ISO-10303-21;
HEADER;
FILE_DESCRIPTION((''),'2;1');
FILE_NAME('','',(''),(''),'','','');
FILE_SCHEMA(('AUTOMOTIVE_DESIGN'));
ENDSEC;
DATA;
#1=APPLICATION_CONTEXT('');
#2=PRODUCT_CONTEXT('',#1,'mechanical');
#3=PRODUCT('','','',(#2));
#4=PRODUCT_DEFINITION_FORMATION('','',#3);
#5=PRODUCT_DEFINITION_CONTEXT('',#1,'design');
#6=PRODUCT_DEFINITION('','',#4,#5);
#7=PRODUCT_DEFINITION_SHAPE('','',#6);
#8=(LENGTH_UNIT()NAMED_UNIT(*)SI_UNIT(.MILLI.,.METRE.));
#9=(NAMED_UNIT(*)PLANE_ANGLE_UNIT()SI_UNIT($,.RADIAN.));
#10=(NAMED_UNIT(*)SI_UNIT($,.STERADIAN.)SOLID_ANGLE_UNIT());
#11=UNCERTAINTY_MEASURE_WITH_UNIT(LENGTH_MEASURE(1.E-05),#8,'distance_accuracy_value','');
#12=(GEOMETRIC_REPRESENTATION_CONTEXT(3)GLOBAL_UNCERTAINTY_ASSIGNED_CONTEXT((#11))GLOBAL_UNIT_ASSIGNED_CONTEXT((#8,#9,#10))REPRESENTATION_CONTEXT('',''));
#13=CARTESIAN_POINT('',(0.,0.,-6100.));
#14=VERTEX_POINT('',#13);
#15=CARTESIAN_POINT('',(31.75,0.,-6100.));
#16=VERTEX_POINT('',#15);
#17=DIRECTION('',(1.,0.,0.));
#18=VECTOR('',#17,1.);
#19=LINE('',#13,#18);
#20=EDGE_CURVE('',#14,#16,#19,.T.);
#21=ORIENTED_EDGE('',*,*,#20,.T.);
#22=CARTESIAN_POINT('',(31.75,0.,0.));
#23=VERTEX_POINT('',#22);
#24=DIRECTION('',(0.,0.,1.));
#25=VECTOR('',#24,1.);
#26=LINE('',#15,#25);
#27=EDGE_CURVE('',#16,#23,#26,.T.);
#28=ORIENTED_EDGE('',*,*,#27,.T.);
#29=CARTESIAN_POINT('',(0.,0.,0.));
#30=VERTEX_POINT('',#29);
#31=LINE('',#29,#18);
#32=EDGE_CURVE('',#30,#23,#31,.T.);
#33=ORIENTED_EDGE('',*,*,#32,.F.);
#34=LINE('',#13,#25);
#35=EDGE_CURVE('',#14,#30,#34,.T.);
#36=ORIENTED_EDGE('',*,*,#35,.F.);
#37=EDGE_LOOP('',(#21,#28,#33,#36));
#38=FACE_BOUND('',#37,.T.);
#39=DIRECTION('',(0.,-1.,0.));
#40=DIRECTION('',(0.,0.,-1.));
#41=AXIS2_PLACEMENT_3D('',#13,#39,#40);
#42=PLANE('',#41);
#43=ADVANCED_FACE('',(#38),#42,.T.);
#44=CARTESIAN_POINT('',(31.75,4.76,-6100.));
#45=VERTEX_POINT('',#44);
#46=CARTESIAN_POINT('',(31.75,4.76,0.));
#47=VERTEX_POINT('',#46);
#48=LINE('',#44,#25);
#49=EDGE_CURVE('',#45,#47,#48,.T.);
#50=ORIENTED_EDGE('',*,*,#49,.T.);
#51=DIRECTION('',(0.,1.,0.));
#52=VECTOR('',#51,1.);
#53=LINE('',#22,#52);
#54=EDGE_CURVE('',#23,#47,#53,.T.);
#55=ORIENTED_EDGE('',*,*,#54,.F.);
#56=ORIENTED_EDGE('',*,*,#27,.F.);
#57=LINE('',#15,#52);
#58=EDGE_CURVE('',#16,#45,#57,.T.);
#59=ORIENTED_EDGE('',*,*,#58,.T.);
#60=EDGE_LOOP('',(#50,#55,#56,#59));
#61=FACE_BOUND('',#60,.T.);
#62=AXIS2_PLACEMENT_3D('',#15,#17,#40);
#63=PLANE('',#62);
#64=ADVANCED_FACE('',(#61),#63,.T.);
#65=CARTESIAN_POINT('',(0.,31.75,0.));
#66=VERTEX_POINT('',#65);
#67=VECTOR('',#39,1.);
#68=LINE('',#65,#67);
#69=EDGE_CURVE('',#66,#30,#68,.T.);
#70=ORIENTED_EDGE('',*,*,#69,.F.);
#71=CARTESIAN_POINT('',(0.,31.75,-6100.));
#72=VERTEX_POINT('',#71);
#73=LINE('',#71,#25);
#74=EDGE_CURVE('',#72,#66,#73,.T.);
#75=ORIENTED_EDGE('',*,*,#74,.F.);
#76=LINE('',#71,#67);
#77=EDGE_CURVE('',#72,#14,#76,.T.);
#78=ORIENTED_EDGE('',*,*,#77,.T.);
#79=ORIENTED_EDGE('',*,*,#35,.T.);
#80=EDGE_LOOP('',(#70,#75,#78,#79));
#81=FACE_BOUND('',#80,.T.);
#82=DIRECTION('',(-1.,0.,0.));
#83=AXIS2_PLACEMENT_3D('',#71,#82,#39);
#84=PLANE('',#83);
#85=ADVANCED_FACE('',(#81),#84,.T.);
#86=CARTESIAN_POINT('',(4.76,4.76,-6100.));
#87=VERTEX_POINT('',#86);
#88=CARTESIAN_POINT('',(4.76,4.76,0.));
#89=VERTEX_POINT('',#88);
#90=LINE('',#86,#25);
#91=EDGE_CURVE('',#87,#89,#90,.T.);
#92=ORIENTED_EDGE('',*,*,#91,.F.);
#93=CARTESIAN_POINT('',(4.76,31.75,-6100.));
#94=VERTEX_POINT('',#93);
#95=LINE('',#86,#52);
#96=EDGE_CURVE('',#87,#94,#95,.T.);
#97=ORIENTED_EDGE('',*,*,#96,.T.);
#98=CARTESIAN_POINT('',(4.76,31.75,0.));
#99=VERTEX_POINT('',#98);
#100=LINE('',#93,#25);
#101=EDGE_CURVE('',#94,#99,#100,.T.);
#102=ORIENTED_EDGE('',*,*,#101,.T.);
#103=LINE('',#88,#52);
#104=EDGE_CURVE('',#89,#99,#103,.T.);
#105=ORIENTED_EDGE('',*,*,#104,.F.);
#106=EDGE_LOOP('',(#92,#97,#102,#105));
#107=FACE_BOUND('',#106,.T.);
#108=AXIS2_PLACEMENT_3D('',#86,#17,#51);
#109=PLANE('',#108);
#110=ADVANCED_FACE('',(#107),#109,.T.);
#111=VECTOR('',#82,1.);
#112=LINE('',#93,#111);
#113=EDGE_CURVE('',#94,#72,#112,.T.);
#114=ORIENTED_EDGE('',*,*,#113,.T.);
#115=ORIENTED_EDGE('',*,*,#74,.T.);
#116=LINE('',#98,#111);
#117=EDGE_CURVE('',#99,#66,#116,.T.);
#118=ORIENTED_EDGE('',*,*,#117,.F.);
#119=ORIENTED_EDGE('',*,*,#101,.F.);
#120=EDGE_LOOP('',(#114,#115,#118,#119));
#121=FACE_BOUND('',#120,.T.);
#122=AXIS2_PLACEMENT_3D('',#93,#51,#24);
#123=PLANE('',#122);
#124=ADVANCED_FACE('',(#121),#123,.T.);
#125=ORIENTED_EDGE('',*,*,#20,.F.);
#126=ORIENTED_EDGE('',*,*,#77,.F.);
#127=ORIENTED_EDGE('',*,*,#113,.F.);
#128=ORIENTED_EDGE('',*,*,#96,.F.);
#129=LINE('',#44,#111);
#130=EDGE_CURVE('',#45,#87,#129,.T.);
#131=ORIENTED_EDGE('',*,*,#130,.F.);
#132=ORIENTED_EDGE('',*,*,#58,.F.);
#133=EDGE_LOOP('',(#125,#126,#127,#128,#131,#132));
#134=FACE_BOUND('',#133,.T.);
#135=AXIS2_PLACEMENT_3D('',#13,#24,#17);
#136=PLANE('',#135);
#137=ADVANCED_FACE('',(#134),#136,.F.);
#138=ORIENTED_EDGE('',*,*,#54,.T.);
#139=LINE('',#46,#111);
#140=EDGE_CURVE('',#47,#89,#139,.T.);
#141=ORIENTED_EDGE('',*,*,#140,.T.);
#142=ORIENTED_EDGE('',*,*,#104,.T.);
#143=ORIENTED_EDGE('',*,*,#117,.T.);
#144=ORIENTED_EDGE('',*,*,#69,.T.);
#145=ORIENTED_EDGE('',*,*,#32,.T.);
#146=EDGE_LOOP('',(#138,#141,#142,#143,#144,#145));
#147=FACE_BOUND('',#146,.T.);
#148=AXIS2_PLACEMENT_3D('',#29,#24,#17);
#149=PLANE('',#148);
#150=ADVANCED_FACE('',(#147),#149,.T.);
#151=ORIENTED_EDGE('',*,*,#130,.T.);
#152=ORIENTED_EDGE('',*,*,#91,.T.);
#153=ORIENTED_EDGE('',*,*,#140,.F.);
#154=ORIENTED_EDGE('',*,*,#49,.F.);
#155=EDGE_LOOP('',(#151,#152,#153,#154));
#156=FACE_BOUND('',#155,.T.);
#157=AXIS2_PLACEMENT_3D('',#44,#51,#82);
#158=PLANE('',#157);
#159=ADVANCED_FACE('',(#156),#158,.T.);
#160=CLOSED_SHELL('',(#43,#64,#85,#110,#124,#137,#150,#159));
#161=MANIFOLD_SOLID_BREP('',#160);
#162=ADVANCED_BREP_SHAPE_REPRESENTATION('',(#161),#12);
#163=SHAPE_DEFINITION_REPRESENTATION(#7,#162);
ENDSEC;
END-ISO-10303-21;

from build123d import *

# Parameters (mm, degrees)
SALIENTE_EXTRUIR1_DEPTH = 6100


with BuildPart() as part:
    # Croquis1 → Saliente-Extruir1 (new body)
    with BuildSketch(Plane.XY):
        Polygon((0, 31.75), (0, 0), (31.75, 0), (31.75, 4.76), (4.76, 4.76), (4.76, 31.75), align=None)
    extrude(amount=-SALIENTE_EXTRUIR1_DEPTH)


solid = part.part
